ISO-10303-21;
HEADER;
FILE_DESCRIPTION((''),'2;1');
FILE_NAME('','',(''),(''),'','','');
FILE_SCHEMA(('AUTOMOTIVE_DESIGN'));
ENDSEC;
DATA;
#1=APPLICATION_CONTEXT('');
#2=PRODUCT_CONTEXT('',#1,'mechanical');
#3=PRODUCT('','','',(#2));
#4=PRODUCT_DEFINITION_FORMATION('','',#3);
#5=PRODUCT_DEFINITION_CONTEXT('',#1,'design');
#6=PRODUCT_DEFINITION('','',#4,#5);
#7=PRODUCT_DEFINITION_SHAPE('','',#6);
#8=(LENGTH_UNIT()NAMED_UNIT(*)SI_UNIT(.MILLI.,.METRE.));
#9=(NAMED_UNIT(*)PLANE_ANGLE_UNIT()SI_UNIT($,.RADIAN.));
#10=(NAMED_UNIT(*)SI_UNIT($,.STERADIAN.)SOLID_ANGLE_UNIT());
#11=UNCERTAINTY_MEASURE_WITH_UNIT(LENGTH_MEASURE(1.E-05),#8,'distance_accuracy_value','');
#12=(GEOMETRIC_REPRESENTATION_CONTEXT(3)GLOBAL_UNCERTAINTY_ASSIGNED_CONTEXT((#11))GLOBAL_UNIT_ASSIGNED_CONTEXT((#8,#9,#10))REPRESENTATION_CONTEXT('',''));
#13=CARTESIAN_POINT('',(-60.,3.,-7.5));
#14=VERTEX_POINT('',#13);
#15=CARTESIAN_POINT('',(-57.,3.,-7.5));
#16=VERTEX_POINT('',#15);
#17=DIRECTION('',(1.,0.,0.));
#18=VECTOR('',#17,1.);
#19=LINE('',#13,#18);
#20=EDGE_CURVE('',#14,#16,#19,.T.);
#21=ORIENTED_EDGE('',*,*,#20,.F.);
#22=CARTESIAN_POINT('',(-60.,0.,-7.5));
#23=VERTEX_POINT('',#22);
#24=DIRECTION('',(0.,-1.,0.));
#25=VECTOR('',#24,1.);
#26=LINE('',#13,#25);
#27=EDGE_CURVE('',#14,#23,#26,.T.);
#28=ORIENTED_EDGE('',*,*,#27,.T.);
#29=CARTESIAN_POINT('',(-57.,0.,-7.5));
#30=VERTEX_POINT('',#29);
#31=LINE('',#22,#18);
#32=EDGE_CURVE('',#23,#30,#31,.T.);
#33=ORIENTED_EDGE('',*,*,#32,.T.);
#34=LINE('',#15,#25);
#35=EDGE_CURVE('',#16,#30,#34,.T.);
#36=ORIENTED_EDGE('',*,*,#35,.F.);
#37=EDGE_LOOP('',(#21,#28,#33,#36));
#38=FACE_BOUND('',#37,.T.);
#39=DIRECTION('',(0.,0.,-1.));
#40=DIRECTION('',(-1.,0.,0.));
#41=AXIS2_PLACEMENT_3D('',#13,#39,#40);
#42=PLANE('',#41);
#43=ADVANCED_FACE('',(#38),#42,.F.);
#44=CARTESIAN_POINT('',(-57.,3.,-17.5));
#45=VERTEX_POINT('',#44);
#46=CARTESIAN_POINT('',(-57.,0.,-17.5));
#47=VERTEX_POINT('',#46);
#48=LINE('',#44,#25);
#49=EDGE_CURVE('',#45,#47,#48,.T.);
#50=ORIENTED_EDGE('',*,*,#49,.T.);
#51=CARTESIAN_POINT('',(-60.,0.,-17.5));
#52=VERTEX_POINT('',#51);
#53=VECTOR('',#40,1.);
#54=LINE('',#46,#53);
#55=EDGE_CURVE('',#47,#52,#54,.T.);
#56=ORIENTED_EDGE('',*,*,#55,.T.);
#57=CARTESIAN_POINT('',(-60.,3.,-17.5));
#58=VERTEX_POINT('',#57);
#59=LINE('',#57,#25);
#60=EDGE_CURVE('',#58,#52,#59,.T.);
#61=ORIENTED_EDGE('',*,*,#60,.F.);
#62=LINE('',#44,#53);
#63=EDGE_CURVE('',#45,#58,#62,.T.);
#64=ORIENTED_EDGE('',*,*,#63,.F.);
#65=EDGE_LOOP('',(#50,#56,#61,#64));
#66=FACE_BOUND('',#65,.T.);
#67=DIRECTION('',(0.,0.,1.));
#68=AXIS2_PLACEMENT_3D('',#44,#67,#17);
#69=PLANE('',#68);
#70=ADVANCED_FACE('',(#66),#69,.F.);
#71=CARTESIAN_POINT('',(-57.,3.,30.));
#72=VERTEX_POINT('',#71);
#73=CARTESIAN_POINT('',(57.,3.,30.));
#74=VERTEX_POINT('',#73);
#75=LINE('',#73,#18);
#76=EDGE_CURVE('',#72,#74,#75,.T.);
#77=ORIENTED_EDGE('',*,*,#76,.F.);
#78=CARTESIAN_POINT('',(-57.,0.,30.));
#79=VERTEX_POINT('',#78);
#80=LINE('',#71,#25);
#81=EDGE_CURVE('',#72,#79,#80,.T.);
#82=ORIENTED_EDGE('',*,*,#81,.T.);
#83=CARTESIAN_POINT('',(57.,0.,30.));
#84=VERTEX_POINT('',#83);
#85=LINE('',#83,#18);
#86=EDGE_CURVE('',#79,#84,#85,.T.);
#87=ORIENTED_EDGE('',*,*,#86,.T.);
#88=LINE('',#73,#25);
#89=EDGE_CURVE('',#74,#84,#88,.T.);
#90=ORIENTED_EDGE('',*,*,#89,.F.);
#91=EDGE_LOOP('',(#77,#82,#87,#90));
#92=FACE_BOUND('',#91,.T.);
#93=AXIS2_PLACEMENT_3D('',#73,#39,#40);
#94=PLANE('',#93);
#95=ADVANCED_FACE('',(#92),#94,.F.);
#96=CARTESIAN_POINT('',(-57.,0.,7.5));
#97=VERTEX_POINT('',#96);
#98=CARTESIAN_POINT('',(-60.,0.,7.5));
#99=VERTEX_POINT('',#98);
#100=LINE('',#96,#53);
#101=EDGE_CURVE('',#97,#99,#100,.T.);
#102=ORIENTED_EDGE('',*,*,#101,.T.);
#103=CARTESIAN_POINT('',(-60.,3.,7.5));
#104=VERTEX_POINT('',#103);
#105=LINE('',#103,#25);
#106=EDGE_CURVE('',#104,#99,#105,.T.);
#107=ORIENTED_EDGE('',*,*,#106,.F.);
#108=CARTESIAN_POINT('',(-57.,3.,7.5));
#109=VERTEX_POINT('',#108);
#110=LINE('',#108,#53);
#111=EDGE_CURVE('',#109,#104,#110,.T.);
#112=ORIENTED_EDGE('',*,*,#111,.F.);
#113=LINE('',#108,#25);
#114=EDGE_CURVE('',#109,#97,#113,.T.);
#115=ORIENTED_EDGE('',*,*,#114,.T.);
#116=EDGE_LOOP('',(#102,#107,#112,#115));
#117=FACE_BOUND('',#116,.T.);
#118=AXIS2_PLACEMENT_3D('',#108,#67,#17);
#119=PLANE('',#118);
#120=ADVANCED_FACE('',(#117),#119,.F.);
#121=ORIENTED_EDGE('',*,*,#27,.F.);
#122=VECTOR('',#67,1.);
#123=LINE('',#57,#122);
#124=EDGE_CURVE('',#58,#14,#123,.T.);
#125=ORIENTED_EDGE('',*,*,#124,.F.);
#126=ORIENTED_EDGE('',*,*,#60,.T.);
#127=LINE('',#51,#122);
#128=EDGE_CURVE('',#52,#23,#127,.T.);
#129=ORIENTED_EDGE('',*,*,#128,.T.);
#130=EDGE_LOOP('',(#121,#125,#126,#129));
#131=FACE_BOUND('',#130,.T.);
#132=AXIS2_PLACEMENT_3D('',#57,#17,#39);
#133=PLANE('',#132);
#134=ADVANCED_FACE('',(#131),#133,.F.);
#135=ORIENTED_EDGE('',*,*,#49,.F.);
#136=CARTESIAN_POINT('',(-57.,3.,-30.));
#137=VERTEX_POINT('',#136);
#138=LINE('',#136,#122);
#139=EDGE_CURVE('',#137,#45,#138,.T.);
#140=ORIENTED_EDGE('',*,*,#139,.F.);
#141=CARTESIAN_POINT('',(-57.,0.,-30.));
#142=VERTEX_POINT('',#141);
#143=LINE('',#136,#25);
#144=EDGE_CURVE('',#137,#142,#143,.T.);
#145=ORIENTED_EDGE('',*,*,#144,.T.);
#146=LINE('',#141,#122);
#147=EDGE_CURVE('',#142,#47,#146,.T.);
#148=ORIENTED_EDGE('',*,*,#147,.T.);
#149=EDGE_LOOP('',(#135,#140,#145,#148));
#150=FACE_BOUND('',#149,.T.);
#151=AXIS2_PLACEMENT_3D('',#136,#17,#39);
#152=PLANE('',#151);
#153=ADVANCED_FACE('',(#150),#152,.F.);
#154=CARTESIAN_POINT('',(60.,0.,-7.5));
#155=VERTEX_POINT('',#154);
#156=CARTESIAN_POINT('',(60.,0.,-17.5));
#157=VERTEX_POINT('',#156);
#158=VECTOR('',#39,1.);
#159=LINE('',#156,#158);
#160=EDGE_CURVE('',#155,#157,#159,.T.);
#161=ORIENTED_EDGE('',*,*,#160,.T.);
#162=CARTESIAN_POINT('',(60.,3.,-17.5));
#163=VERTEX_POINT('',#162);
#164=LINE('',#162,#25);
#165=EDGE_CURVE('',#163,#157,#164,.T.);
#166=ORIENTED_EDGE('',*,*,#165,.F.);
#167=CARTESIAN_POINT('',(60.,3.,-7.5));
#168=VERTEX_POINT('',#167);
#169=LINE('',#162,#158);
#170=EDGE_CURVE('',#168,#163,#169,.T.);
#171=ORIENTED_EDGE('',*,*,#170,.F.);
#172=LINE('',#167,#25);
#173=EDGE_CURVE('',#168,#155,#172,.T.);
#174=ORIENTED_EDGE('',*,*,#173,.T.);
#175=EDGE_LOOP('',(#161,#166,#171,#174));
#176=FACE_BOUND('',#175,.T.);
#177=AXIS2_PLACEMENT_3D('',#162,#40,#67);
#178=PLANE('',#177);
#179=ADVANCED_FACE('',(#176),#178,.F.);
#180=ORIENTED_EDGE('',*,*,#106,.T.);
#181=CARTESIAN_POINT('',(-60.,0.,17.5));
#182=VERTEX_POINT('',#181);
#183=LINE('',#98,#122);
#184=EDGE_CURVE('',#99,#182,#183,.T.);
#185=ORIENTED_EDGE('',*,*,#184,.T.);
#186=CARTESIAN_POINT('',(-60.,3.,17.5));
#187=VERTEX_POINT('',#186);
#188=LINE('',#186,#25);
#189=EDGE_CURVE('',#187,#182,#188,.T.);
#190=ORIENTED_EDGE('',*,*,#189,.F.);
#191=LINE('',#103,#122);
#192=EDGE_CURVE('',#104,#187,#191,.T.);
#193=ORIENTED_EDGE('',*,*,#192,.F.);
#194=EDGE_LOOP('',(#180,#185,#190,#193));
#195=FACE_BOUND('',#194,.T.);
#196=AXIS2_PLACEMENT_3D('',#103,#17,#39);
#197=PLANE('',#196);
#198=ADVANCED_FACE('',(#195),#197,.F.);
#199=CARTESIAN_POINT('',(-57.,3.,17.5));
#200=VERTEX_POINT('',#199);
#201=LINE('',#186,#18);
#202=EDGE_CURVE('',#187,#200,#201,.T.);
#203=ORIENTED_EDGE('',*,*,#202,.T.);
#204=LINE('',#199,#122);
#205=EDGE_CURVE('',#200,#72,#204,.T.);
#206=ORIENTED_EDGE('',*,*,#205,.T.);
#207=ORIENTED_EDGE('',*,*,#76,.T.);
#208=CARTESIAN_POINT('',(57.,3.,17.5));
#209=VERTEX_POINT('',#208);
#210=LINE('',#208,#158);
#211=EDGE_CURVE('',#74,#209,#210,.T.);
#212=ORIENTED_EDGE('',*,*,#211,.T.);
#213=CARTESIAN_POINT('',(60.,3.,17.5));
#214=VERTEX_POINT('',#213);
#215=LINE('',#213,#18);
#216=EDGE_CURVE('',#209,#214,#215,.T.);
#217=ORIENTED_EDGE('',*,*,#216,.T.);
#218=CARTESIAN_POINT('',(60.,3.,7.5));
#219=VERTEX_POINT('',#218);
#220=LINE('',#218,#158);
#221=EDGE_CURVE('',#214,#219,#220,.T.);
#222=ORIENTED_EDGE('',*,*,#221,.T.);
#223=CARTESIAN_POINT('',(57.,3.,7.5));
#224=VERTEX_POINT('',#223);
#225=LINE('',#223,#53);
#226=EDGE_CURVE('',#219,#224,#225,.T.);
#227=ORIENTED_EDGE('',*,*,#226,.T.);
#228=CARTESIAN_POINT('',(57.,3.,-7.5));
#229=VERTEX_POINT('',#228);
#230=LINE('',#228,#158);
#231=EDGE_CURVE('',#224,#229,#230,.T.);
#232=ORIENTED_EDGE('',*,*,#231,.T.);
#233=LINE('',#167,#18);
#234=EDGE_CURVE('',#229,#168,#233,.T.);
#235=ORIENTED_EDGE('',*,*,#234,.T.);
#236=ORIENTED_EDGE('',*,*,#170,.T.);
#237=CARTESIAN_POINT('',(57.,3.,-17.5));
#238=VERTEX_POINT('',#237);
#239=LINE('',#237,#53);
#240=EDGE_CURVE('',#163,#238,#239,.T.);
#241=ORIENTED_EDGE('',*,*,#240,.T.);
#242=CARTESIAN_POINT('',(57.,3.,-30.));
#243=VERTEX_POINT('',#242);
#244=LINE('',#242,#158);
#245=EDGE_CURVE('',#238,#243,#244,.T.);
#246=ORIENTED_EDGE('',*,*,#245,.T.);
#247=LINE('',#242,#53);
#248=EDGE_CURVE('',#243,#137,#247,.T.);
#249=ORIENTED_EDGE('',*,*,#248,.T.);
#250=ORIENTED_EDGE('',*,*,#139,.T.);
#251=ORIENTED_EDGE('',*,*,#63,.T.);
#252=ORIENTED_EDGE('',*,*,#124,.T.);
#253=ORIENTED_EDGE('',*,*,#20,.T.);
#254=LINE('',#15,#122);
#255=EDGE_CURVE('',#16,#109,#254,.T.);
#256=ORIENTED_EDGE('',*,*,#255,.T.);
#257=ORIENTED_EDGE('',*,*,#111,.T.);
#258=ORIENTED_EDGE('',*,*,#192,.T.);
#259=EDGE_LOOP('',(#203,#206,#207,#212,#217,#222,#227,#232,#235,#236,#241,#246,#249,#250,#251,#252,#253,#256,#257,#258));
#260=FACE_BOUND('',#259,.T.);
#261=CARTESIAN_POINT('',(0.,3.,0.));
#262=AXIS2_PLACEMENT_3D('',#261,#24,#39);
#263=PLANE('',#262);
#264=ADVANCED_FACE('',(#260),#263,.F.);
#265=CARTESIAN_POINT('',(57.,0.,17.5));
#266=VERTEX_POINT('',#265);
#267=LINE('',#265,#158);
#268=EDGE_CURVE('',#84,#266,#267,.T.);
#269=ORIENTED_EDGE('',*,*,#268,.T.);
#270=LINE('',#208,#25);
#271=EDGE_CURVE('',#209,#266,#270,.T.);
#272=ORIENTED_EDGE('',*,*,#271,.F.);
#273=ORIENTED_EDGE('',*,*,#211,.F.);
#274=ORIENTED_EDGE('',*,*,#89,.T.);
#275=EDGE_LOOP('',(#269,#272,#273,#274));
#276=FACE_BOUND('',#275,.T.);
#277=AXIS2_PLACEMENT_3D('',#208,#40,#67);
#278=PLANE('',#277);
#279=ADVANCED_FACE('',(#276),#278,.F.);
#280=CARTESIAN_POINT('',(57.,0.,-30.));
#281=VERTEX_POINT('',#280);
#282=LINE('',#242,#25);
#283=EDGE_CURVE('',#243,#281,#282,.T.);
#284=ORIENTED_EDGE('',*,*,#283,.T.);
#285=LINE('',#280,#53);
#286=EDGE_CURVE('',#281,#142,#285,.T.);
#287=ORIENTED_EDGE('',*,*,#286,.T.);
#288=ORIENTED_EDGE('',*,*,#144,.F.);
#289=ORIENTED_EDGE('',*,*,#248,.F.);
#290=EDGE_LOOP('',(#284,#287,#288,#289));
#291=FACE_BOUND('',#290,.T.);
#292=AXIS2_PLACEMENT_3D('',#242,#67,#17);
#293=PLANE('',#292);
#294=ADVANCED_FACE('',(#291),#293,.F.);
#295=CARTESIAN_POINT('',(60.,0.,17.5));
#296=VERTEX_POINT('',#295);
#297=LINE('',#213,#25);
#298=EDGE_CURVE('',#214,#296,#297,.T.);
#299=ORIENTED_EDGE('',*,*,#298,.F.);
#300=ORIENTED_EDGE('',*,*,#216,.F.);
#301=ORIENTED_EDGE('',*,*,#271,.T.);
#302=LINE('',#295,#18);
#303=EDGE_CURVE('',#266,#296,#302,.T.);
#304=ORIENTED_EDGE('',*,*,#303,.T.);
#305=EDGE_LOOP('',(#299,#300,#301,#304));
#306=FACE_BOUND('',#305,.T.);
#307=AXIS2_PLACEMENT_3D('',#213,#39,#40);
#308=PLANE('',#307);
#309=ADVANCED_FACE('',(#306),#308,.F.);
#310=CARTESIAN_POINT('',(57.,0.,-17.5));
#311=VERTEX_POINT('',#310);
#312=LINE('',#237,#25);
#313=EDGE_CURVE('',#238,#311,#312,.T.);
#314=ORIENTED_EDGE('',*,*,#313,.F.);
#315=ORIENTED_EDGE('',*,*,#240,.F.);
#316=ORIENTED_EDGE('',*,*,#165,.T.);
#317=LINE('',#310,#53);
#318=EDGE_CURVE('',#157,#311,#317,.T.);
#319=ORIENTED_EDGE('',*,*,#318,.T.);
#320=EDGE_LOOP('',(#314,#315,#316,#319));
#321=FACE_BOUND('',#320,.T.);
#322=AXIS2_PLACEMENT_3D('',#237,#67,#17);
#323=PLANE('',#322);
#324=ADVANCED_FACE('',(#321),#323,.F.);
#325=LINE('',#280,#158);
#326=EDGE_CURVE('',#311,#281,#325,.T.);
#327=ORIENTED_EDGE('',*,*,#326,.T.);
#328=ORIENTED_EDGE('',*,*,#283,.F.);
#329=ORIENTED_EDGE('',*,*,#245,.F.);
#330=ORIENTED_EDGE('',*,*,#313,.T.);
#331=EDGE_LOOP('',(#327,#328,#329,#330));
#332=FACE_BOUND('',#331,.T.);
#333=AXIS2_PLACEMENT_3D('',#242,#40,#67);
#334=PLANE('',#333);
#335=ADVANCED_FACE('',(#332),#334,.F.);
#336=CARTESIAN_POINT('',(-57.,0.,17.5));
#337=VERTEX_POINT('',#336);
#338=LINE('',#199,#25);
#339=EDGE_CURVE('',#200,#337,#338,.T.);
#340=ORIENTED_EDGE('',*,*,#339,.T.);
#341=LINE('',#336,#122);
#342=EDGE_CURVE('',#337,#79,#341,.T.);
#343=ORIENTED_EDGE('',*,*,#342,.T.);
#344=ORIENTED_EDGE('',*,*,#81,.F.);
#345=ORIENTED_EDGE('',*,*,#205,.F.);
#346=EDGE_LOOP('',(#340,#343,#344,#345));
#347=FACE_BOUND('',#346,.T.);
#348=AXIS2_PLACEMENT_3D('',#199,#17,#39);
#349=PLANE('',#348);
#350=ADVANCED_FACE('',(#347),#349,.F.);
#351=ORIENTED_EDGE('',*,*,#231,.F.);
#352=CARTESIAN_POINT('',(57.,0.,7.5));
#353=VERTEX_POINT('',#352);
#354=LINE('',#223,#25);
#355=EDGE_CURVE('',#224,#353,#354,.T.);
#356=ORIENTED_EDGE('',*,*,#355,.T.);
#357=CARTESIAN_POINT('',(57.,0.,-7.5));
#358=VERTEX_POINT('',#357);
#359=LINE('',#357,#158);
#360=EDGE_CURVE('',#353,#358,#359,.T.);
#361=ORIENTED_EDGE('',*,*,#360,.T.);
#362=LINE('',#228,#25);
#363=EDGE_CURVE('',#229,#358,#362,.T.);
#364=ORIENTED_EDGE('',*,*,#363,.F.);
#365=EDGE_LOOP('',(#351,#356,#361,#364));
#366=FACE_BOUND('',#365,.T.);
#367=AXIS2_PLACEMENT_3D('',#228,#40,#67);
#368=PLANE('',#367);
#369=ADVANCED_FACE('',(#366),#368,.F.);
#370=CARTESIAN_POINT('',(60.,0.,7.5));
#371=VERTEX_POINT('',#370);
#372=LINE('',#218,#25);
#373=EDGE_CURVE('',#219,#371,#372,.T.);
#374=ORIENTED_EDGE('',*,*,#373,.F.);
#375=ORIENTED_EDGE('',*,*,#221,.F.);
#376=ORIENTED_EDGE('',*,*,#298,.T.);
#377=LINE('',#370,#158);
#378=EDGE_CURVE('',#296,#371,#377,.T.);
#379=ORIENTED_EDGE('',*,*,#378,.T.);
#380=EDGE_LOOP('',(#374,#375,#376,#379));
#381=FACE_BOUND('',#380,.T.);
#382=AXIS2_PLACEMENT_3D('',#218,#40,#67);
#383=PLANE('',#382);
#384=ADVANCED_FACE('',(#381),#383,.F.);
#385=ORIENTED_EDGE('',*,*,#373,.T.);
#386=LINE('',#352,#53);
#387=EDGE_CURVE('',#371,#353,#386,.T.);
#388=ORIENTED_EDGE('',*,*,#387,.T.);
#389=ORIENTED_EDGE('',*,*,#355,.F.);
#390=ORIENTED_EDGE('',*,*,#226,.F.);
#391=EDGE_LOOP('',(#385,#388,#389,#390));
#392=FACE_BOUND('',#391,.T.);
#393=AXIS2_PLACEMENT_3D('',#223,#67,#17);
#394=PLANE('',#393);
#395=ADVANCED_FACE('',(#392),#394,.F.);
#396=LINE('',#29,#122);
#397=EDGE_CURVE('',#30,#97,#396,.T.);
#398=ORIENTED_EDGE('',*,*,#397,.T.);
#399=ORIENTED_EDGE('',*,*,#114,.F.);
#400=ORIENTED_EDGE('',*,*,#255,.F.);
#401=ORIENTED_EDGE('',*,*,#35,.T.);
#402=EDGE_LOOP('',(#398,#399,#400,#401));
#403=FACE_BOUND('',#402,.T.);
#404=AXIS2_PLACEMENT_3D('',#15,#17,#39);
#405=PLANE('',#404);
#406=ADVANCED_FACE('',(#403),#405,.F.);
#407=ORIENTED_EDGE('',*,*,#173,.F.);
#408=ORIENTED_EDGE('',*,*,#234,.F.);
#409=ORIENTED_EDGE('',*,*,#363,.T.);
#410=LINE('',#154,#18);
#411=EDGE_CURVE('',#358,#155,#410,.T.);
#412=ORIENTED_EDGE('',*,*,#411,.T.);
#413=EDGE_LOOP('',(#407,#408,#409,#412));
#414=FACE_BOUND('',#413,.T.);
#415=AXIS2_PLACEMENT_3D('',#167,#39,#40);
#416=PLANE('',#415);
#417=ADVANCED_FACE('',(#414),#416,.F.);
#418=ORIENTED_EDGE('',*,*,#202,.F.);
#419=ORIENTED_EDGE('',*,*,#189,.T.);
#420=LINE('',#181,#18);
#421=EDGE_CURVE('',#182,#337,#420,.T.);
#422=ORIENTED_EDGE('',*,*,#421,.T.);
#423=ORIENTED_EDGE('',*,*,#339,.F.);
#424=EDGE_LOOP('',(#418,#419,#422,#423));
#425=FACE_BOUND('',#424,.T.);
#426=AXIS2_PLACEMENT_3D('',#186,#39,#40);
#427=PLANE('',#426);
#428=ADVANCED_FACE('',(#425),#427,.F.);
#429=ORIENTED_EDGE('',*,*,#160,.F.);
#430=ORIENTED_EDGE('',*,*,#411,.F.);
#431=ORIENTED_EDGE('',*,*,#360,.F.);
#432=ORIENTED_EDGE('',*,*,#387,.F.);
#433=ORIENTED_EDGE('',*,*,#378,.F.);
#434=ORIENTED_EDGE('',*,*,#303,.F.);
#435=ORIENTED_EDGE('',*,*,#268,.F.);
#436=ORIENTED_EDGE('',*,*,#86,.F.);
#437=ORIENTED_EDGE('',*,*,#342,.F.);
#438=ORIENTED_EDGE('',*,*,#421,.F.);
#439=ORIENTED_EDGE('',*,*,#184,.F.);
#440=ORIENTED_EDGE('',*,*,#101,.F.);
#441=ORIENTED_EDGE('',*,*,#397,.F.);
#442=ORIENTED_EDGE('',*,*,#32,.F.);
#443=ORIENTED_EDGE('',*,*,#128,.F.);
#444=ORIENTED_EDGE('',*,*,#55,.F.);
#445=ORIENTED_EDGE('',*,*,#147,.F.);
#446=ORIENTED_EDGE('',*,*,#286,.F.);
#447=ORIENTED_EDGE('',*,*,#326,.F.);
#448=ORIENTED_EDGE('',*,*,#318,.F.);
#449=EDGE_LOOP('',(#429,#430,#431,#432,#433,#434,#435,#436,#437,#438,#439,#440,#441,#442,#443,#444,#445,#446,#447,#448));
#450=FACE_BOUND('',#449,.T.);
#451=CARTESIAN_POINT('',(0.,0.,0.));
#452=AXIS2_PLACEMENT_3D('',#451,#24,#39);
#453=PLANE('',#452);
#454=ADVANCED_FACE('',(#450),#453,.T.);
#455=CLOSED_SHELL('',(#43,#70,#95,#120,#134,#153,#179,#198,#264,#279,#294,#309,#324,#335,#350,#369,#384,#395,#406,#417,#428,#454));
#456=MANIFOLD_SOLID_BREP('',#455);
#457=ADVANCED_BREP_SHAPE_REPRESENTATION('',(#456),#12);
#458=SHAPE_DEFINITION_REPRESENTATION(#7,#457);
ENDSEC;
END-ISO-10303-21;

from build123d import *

# Parameters (mm, degrees)
SALIENTE_EXTRUIR1_DEPTH = 3


with BuildPart() as part:
    # Croquis1 → Saliente-Extruir1 (new body)
    with BuildSketch(Plane(origin=(0, 0, 0), x_dir=(1, 0, 0), z_dir=(0, 1, 0))):
        Polygon((-57, 17.5), (-60, 17.5), (-60, 7.5), (-57, 7.5), (-57, -7.5), (-60, -7.5), (-60, -17.5), (-57, -17.5), (-57, -30), (57, -30), (57, -17.5), (60, -17.5), (60, -7.5), (57, -7.5), (57, 7.5), (60, 7.5), (60, 17.5), (57, 17.5), (57, 30), (-57, 30), align=None)
    extrude(amount=SALIENTE_EXTRUIR1_DEPTH)


solid = part.part
